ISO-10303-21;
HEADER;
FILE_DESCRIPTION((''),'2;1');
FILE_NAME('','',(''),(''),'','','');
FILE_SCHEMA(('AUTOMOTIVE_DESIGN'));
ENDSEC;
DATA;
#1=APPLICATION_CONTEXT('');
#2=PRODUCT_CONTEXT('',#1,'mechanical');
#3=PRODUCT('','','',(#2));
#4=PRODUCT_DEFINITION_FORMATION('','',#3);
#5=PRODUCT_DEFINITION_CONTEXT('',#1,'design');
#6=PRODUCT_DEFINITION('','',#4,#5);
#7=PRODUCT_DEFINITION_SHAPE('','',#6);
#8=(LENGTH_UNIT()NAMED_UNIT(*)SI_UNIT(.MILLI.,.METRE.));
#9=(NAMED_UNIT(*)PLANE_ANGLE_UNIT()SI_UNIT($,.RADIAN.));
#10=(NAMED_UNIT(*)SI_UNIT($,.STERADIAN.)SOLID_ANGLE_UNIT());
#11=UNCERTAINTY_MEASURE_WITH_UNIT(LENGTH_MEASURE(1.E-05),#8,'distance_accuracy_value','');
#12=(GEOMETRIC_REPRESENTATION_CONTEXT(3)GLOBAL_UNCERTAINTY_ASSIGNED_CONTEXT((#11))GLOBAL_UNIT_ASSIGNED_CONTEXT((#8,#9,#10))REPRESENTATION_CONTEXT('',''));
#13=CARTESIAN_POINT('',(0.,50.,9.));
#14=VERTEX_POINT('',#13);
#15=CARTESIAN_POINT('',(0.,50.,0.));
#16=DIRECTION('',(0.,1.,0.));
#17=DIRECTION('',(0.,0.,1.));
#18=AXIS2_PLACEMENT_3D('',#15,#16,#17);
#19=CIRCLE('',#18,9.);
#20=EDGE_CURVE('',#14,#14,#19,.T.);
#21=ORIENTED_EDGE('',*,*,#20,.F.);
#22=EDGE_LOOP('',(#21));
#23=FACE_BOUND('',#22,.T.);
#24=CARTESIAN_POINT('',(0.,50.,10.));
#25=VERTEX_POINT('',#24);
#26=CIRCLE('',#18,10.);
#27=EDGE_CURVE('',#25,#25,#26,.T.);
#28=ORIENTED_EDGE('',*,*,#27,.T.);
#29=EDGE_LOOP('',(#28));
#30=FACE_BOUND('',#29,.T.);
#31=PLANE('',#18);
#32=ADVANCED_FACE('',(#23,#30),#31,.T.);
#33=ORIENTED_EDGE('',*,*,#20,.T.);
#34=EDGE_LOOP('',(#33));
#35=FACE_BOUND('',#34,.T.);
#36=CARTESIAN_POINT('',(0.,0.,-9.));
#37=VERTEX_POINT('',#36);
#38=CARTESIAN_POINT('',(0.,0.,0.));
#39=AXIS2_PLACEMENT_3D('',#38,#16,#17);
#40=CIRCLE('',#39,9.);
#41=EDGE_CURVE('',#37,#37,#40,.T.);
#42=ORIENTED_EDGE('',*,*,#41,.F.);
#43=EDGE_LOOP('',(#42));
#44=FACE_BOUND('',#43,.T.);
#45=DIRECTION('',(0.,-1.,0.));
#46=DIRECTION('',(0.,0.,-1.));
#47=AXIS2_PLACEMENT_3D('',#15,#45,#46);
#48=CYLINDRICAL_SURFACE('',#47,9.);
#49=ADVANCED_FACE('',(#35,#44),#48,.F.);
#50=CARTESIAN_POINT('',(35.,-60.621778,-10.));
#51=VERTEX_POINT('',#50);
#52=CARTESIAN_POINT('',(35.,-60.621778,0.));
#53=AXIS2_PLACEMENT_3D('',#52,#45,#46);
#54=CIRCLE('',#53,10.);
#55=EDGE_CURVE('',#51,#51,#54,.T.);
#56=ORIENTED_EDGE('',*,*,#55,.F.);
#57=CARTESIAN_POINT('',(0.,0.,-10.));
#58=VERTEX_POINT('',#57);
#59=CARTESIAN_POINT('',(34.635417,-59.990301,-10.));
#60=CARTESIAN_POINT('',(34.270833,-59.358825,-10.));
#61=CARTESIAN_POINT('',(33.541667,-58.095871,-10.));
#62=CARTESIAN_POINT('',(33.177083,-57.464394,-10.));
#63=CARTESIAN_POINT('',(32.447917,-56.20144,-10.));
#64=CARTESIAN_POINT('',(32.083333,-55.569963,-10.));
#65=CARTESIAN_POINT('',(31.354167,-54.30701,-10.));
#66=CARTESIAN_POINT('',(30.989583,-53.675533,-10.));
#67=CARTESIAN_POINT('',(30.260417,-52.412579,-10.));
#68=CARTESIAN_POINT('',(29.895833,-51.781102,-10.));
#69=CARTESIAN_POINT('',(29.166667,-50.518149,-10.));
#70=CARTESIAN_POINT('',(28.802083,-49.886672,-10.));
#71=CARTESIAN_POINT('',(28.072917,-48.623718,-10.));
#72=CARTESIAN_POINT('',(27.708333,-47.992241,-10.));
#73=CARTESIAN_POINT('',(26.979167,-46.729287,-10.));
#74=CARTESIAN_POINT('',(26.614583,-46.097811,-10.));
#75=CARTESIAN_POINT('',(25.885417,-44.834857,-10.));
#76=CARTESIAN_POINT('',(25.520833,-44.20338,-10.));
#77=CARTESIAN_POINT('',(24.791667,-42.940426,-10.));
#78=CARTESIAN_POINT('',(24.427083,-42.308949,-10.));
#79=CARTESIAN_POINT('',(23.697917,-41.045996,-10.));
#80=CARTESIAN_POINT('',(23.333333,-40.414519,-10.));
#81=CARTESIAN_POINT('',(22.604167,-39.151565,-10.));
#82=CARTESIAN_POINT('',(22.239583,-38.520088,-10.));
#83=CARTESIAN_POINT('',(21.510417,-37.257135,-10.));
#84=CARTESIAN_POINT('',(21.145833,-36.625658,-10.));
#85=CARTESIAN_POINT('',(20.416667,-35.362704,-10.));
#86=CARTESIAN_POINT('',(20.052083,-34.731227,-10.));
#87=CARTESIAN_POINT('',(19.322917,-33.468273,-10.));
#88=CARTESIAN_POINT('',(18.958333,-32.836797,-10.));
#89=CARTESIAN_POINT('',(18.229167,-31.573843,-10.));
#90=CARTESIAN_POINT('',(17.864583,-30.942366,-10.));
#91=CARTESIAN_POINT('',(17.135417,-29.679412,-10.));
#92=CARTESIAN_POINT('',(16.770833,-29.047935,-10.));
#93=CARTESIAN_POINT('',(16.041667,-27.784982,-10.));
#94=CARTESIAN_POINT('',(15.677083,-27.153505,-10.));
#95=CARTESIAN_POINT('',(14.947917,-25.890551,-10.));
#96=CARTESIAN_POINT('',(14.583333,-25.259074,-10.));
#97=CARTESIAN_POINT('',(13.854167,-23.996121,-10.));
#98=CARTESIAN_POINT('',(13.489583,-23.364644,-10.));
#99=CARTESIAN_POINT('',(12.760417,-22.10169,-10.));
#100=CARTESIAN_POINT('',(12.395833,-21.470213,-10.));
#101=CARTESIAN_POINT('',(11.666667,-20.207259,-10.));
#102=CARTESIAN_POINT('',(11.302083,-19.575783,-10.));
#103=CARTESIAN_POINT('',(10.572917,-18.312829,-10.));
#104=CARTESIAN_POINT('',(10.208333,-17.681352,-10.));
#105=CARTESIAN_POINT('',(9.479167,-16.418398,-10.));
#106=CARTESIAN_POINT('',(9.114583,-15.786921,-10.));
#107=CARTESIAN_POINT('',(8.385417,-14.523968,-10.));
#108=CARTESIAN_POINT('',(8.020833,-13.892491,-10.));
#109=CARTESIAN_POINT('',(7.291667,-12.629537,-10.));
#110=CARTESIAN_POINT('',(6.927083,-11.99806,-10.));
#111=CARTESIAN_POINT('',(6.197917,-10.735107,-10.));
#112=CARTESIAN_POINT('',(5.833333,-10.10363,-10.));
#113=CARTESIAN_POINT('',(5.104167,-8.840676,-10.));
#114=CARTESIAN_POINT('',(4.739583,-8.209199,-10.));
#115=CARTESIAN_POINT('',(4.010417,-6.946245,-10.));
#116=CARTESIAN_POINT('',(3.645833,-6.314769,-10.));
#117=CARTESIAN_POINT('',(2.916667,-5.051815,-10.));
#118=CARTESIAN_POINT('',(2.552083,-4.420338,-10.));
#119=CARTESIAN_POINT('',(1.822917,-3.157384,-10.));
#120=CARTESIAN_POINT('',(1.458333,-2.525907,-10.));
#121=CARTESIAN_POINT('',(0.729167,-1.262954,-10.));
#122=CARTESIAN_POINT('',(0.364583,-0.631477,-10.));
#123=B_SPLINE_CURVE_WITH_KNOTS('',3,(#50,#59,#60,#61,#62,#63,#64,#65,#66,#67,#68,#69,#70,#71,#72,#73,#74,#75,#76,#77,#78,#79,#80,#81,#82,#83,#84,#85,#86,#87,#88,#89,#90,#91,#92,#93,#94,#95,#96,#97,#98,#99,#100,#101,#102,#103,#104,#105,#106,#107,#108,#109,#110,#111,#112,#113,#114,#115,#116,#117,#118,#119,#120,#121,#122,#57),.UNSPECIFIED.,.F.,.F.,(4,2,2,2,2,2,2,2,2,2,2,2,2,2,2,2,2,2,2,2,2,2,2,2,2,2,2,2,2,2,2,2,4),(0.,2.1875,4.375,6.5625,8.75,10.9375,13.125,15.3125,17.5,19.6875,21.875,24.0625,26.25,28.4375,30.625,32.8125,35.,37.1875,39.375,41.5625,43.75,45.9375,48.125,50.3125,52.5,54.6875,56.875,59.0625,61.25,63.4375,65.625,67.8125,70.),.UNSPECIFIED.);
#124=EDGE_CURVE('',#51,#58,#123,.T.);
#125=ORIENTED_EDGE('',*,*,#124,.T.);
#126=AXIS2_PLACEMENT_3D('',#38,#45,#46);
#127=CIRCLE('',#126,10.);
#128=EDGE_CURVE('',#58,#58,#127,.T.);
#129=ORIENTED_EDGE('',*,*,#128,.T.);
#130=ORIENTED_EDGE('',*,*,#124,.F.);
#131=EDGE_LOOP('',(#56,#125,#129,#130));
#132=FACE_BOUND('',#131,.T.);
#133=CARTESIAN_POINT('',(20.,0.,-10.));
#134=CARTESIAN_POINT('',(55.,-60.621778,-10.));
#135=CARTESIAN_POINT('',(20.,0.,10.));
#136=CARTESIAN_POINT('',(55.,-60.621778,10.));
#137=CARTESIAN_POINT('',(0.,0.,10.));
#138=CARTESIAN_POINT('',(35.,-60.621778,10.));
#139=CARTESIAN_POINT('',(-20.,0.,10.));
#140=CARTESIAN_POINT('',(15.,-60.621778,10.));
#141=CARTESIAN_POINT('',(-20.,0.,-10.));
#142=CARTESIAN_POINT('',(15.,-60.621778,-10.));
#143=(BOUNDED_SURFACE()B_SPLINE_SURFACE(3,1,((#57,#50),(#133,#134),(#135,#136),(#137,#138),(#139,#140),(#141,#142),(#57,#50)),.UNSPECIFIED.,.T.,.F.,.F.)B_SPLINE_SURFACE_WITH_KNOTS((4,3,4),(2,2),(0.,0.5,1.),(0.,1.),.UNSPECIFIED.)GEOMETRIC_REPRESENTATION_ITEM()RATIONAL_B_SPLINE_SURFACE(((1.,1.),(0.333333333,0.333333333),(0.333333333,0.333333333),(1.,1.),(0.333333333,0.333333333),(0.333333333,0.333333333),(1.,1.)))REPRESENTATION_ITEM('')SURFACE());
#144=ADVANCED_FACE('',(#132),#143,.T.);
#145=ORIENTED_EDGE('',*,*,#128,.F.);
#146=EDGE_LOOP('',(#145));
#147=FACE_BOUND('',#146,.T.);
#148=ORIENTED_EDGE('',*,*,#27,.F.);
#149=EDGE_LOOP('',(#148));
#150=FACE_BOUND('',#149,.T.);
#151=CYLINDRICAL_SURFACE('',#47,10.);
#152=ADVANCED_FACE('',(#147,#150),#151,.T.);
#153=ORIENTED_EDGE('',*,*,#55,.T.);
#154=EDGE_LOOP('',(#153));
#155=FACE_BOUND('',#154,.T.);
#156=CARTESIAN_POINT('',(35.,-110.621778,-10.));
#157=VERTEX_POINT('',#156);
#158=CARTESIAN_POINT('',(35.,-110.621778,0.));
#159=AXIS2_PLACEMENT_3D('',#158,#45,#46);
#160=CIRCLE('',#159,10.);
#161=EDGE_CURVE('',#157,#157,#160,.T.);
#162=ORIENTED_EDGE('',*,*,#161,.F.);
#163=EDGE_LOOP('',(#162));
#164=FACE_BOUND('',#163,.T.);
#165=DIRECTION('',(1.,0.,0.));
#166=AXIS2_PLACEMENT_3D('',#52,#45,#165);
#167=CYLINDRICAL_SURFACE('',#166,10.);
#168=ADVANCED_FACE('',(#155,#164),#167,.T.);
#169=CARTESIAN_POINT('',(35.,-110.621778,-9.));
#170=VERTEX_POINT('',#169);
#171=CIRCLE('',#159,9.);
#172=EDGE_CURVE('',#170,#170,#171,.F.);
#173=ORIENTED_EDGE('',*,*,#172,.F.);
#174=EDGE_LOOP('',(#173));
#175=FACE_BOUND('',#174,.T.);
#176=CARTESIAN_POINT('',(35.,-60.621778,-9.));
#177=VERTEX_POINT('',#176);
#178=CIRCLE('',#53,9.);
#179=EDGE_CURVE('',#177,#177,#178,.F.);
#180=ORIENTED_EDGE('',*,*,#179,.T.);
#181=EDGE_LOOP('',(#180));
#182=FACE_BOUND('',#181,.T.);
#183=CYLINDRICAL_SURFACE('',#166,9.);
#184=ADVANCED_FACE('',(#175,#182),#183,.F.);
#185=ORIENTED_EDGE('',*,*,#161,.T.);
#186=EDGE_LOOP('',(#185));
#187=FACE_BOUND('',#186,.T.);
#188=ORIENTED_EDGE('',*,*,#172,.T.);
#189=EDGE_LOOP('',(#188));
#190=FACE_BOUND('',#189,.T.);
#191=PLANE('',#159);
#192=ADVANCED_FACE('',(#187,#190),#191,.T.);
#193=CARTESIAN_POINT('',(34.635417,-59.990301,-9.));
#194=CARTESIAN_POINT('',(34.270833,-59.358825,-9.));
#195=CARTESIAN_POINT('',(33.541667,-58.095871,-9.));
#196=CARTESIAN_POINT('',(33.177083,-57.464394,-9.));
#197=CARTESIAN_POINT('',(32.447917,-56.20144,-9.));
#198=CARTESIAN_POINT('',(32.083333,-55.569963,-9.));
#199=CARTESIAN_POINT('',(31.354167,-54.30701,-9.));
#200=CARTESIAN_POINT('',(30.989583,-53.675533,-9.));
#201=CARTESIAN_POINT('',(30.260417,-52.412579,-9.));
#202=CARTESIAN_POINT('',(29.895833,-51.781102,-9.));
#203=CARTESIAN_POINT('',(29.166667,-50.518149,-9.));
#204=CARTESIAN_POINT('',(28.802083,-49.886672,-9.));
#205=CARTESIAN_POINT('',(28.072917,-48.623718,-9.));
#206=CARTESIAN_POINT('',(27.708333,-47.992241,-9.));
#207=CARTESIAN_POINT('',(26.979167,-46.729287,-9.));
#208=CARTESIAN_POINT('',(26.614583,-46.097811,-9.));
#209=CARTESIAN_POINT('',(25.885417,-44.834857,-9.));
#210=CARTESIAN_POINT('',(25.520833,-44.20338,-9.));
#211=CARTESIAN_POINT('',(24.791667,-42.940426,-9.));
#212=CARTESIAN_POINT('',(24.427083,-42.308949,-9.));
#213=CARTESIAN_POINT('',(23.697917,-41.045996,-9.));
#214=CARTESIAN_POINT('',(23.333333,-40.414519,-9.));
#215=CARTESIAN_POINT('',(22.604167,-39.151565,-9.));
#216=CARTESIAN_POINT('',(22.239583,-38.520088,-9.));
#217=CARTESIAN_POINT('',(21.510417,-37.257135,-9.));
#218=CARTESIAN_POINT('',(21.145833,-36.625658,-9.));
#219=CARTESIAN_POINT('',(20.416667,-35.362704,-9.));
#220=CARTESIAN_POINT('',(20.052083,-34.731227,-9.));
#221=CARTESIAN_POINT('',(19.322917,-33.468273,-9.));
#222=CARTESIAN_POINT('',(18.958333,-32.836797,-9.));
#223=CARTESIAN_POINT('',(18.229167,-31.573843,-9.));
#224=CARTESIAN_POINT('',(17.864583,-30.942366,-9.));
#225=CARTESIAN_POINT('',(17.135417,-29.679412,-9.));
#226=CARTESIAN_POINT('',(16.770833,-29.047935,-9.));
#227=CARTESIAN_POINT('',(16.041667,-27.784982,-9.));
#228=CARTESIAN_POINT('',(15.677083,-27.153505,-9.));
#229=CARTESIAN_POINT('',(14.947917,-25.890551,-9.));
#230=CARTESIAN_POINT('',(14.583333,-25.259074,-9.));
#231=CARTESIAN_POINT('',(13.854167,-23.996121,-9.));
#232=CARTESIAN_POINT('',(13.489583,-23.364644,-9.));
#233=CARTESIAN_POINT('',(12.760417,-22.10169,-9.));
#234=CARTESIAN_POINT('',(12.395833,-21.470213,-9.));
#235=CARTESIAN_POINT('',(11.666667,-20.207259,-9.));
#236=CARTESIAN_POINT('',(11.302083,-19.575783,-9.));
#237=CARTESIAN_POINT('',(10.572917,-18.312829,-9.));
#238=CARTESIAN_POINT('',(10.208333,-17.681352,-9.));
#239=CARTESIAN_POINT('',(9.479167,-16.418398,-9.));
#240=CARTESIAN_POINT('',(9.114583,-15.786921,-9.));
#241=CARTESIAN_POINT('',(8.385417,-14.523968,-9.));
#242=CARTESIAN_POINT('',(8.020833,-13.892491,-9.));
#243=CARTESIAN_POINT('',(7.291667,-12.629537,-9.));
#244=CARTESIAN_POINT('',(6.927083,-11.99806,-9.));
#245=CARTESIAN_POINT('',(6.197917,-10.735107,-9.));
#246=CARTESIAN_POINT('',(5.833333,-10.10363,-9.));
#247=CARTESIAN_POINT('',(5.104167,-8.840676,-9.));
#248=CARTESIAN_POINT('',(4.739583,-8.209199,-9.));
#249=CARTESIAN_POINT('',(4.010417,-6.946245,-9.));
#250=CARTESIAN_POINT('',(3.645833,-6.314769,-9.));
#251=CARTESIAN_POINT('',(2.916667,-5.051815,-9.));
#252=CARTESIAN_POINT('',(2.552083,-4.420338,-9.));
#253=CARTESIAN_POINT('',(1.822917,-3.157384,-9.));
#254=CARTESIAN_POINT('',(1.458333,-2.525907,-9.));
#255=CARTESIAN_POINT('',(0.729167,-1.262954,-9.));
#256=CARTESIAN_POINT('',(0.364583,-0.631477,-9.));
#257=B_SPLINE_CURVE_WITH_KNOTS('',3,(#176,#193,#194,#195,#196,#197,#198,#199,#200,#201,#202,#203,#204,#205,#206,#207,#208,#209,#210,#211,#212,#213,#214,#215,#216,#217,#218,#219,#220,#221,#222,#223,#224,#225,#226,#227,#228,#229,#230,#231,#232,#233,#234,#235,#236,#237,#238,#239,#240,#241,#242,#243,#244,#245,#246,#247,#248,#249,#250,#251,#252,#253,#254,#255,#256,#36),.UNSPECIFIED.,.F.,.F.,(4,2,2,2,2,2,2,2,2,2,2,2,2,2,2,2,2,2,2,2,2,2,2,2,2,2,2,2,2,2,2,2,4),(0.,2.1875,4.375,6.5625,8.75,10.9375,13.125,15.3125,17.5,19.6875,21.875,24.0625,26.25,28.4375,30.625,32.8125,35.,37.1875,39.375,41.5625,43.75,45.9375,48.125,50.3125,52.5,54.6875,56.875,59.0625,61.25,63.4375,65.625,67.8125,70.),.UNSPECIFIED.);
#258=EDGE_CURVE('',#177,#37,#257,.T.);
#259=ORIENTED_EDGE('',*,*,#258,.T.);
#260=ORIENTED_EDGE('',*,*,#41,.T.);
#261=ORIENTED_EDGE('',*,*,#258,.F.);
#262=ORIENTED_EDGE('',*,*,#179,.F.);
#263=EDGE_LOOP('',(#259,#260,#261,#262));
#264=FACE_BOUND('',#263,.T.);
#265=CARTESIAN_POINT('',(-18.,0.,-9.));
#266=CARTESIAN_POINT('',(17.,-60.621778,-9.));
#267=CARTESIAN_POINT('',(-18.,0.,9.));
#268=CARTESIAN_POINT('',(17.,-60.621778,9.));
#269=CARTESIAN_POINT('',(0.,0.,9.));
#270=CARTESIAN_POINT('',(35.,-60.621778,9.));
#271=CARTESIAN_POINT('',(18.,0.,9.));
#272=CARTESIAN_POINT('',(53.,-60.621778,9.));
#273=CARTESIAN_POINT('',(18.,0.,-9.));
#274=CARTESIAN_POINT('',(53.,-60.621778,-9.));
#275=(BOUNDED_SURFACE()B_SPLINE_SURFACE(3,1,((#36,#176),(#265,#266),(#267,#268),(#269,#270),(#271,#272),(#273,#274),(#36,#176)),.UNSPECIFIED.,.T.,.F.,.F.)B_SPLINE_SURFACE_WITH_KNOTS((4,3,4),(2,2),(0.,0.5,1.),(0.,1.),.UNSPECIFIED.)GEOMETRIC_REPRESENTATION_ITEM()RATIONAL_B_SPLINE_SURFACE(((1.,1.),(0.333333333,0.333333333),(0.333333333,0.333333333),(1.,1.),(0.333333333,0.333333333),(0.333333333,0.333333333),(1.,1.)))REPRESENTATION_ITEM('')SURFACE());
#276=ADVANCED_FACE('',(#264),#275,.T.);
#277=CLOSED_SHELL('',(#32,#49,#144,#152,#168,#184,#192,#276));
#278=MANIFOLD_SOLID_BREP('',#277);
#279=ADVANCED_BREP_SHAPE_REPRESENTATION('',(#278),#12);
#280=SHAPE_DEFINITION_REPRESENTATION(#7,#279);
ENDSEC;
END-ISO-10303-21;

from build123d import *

# Parameters (mm, degrees)
SKETCH1_R           = 10
SKETCH1_R_2         = 9
BOSS_EXTRUDE1_DEPTH = 50
SKETCH2_R           = 10
SKETCH2_R_2         = 9
SKETCH4_R           = 10
SKETCH4_R_2         = 9


with BuildPart() as part:
    # Sketch1 → Boss-Extrude1 (new body)
    with BuildSketch(Plane(origin=(0, 0, 0), x_dir=(1, 0, 0), z_dir=(0, 1, 0))):
        with Locations(Location((0, 0, 0), (0, 0, 270))):
            Circle(SKETCH1_R)
        with Locations(Location((0, 0, 0), (0, 0, 270))):
            Circle(SKETCH1_R_2, mode=Mode.SUBTRACT)
    extrude(amount=BOSS_EXTRUDE1_DEPTH)

    # Sweep1: sweep along a path in Sketch3
    with BuildLine(Plane.XY) as sweep1_path:
        Line((0, 0), (35, -60.621778265))
    # Sketch2 → Sweep1 (sweep)
    with BuildSketch(Plane.XZ):
        Circle(SKETCH2_R)
        Circle(SKETCH2_R_2, mode=Mode.SUBTRACT)
    sweep(path=sweep1_path.line)

    # Sweep2: sweep along a path in Sketch5
    with BuildLine(Plane.XY) as sweep2_path:
        Line((35, -60.621778265), (35, -110.621778265))
    # Sketch4 → Sweep2 (sweep)
    with BuildSketch(Plane.XZ.offset(60.621778265)):
        with Locations((35, 0)):
            Circle(SKETCH4_R)
        with Locations((35, 0)):
            Circle(SKETCH4_R_2, mode=Mode.SUBTRACT)
    sweep(path=sweep2_path.line)


solid = part.part
